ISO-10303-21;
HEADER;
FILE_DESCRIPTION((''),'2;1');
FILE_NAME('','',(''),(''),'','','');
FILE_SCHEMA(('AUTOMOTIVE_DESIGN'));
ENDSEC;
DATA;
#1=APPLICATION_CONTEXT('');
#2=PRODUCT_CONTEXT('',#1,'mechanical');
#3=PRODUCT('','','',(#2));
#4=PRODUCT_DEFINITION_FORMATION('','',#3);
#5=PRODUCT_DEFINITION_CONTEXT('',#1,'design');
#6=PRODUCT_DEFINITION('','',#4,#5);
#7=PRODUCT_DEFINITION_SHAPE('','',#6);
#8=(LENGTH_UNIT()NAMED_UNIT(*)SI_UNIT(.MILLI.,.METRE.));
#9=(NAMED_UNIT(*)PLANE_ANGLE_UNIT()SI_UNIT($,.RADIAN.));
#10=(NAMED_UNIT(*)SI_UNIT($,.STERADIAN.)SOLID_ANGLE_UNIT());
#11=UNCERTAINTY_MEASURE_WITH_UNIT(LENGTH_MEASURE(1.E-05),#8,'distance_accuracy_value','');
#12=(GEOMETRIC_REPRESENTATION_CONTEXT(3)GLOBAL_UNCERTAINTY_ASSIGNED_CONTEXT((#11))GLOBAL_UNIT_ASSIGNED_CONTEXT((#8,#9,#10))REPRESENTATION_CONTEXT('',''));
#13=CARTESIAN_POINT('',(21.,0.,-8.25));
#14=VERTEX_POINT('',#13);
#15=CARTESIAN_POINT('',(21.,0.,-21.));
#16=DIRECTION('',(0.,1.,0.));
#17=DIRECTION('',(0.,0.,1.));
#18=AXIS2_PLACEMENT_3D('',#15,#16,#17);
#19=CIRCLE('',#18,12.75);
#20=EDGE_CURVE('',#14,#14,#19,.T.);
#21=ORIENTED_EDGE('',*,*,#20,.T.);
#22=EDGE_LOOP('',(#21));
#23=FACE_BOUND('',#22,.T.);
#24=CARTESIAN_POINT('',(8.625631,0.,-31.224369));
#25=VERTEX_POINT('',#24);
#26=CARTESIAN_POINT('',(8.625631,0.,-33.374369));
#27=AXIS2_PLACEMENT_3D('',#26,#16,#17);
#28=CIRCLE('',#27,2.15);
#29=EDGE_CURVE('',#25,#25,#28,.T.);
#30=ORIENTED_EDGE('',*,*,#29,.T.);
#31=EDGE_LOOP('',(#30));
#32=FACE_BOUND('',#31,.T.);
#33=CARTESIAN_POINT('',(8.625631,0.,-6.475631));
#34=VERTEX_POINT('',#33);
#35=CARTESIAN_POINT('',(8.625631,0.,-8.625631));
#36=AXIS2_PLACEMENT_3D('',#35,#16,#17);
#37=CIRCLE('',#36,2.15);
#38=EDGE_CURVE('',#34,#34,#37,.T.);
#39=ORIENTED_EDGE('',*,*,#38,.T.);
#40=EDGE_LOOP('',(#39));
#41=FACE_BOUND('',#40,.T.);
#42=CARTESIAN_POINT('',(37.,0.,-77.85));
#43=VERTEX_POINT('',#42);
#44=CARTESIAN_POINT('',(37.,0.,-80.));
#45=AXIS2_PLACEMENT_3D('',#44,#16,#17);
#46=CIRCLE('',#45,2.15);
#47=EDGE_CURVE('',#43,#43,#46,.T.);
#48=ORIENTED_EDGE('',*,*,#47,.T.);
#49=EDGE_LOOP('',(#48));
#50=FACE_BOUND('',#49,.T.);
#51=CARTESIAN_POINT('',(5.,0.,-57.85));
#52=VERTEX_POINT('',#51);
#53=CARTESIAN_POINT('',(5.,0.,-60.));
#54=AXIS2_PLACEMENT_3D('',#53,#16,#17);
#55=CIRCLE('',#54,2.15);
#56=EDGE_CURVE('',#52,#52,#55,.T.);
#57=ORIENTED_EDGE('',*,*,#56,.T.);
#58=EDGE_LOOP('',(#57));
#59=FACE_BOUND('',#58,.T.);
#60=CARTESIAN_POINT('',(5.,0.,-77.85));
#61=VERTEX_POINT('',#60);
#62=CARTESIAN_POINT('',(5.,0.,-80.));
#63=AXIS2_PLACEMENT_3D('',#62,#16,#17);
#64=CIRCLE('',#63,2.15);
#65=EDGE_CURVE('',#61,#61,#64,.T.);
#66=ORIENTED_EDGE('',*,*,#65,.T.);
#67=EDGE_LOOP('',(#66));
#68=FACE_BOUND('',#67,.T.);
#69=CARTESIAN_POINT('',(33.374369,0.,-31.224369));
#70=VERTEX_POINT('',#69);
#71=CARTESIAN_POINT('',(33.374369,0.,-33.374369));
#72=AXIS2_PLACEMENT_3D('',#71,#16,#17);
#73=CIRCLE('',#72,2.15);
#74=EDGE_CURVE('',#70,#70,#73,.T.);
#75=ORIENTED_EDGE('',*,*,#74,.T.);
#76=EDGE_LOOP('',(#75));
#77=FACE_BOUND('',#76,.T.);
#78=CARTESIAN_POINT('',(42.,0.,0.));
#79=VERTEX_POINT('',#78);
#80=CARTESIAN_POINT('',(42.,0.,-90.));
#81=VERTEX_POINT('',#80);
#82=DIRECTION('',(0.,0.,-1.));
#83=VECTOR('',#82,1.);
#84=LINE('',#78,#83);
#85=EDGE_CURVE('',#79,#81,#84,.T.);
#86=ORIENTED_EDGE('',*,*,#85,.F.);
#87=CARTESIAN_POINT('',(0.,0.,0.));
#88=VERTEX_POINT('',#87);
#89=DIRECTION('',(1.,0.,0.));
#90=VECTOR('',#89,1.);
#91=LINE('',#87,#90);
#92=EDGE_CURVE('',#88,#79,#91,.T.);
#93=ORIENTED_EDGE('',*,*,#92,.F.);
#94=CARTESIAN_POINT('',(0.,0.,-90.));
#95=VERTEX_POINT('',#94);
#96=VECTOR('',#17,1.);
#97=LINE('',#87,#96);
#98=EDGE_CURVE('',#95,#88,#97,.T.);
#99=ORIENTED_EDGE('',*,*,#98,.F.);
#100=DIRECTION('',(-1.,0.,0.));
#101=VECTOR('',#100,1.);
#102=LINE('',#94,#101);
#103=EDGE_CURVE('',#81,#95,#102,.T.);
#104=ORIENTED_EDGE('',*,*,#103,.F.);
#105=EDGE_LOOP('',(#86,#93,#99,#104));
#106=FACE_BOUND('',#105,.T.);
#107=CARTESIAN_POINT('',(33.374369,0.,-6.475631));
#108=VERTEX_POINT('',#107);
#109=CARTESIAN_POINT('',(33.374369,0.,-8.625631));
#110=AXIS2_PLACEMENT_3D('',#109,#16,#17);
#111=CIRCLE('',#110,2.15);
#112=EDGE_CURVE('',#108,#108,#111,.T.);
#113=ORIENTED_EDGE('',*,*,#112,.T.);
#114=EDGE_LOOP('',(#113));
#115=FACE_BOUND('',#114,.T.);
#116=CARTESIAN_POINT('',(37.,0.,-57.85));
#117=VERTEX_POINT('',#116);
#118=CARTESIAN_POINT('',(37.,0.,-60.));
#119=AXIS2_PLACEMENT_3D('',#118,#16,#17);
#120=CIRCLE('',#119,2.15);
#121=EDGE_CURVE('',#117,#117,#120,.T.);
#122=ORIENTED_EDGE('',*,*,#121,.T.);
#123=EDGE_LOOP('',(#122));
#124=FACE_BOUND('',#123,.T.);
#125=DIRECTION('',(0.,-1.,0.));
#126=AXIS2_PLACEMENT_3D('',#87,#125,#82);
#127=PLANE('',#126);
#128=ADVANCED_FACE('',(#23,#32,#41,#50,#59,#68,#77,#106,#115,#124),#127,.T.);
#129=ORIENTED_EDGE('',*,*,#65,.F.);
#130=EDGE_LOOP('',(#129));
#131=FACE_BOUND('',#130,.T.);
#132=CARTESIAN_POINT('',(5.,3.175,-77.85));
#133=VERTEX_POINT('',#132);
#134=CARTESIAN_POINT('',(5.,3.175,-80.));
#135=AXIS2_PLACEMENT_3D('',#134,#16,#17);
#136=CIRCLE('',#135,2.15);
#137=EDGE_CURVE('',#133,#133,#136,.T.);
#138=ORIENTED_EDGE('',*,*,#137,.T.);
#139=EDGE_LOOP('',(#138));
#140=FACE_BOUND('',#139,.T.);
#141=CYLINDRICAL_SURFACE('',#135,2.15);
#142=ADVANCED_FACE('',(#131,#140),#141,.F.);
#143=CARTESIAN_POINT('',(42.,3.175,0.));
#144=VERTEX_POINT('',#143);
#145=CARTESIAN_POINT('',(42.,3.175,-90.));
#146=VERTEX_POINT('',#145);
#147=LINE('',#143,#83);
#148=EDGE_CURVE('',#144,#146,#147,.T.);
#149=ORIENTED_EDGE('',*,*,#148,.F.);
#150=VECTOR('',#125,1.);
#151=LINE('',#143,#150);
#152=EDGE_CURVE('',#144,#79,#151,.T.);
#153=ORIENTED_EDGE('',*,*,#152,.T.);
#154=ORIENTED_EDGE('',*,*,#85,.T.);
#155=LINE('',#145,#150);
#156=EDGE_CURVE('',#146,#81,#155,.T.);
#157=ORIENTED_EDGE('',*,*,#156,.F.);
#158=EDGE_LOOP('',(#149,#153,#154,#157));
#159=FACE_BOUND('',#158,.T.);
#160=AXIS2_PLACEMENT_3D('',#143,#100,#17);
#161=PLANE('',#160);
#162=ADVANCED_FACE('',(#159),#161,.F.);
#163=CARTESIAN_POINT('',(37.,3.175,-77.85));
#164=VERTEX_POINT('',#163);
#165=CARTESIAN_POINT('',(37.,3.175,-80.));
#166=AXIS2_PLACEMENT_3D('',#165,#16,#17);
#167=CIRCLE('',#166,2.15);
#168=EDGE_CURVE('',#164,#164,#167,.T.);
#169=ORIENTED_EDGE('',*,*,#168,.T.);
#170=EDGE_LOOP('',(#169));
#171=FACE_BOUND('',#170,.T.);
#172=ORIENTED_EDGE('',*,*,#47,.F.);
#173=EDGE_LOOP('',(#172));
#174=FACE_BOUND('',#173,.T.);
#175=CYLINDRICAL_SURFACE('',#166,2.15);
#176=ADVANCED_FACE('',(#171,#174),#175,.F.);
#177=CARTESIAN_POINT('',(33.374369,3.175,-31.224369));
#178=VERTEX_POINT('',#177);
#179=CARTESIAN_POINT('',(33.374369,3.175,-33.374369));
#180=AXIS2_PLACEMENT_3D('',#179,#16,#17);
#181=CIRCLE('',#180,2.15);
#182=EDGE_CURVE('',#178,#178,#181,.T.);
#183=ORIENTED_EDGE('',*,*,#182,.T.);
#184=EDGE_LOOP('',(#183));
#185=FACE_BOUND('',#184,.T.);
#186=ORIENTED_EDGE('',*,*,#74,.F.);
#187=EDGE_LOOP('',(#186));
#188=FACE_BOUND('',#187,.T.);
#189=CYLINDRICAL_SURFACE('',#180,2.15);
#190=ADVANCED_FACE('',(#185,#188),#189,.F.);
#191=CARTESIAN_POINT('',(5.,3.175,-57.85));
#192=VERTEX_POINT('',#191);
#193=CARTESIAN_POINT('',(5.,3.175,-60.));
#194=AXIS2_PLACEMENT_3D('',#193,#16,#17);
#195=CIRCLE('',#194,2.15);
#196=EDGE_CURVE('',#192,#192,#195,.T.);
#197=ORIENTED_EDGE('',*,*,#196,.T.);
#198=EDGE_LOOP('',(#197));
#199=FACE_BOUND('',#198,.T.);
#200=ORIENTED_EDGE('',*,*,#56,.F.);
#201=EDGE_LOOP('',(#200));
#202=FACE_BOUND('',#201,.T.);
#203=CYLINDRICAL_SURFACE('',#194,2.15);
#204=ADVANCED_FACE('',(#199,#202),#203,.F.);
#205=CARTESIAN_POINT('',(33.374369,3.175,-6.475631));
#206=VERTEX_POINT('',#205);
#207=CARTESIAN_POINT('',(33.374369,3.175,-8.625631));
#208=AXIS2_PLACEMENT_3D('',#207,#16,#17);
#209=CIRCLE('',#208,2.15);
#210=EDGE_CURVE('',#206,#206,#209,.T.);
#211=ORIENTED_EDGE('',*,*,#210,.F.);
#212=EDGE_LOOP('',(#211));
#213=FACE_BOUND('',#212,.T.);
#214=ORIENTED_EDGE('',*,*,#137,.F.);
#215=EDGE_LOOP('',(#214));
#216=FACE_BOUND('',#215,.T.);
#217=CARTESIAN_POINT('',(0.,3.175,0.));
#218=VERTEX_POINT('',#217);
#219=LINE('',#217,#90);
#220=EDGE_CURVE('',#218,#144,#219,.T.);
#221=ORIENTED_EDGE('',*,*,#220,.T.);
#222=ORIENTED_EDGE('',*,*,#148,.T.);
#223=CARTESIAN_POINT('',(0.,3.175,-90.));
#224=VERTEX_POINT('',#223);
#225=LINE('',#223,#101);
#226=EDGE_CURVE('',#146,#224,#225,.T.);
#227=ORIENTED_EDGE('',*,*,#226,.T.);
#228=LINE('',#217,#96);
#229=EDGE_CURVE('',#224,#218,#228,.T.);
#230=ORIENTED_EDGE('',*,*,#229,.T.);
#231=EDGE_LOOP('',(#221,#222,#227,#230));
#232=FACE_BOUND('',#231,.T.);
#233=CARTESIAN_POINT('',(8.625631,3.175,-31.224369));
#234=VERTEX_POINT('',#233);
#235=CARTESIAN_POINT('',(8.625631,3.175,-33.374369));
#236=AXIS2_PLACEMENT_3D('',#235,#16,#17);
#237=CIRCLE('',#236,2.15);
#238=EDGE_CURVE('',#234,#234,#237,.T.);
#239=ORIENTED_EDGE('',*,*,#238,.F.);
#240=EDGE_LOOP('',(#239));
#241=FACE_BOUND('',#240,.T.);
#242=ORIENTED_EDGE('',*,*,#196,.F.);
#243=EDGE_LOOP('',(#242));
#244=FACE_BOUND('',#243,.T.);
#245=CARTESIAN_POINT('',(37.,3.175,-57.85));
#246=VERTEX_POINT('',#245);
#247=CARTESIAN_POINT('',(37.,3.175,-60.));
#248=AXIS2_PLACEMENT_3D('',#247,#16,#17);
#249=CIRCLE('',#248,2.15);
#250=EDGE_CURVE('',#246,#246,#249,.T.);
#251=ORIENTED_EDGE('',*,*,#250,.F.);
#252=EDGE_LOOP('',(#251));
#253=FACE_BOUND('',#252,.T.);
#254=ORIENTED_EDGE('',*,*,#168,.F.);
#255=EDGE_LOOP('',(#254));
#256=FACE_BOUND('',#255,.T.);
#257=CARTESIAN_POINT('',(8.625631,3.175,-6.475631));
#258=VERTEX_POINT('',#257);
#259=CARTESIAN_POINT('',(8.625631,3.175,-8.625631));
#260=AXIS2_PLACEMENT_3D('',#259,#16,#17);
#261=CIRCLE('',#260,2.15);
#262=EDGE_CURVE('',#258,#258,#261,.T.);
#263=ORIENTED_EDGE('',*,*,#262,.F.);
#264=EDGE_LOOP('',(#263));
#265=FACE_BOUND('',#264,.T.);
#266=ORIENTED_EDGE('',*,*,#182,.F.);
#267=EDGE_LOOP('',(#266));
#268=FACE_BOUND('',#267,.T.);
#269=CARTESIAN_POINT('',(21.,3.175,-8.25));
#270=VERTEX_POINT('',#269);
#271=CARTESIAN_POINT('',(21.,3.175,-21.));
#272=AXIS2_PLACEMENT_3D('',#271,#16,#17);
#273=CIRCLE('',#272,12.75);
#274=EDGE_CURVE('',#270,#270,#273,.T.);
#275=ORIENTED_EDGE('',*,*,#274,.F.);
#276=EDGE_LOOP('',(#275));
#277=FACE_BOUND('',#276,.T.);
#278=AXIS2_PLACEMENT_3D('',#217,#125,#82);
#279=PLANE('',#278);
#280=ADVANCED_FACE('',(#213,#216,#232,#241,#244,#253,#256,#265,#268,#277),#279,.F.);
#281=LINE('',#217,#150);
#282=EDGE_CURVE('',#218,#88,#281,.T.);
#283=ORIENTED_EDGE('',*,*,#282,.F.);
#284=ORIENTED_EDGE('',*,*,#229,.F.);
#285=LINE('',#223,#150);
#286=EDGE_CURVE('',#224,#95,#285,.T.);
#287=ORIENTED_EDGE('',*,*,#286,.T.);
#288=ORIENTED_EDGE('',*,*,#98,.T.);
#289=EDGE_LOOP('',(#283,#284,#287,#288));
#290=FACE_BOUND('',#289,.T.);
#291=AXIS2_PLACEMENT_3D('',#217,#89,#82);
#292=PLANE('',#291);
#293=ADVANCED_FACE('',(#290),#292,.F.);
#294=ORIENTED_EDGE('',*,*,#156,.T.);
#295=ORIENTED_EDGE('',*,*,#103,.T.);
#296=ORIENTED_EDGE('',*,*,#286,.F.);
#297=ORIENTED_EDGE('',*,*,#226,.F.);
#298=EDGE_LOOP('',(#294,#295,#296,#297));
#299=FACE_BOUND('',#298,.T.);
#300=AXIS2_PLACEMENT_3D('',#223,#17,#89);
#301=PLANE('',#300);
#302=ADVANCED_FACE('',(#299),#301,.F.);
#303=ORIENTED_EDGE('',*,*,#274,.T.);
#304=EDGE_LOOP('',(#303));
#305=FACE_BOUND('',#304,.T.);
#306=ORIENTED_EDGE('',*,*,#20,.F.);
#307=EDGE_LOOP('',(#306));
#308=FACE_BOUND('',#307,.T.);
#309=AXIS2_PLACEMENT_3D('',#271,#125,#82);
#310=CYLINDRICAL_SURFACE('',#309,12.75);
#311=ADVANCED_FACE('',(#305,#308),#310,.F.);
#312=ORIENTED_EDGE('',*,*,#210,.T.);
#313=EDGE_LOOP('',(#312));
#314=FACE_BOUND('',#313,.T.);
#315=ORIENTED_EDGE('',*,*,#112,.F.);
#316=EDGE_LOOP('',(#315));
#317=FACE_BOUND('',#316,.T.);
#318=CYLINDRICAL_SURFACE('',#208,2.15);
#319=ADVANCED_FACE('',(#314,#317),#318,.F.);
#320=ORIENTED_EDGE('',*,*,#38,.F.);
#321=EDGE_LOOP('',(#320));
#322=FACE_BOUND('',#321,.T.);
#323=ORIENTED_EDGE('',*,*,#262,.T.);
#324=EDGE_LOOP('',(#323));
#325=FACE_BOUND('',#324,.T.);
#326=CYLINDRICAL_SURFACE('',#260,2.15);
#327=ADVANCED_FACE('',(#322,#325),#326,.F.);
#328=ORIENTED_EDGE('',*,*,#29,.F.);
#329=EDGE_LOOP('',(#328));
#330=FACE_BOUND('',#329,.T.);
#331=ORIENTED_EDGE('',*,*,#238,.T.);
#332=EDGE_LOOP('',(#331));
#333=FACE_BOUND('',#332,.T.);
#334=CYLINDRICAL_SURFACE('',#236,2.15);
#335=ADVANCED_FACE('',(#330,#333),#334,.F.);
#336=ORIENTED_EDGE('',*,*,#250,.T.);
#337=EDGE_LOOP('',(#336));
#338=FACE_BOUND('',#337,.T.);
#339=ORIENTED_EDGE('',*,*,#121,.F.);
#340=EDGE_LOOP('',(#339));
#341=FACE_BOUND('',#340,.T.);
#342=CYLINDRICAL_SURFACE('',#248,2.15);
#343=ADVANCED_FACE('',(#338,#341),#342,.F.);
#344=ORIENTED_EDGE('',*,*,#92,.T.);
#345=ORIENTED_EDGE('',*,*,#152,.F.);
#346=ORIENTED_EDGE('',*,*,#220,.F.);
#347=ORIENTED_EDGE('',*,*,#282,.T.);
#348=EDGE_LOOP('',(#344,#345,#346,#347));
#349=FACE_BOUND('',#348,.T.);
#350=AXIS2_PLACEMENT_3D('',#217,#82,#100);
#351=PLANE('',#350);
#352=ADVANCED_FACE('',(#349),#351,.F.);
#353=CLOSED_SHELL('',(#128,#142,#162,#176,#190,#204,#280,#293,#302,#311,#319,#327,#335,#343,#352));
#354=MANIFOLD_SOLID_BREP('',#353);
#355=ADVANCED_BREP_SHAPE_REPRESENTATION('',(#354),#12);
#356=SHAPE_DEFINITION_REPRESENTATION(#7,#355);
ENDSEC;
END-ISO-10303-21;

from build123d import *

# Parameters (mm, degrees)
SKETCH1_W            = 42
SKETCH1_H            = 90
SKETCH1_R            = 12.75
BOSS_EXTRUDE1_DEPTH  = 3.175
M4_CLEARANCE_HOLE1_D = 4.3


with BuildPart() as part:
    # Sketch1 → Boss-Extrude1 (new body)
    with BuildSketch(Plane(origin=(0, 0, 0), x_dir=(1, 0, 0), z_dir=(0, 1, 0))):
        with Locations((21, 45)):
            Rectangle(SKETCH1_W, SKETCH1_H)
        with Locations((21, 21)):
            Circle(SKETCH1_R, mode=Mode.SUBTRACT)
    extrude(amount=BOSS_EXTRUDE1_DEPTH)

    # M4 Clearance Hole1 (through all)
    with Locations(Plane(origin=(0, 3.175, 0), x_dir=(1, 0, 0), z_dir=(0, 1, 0))):
        with Locations((8.625631329, 33.374368671), (21, 21), (5, 80), (33.374368671, 33.374368671), (33.374368671, 8.625631329), (8.625631329, 8.625631329), (37, 80), (37, 60), (5, 60)):
            Hole(M4_CLEARANCE_HOLE1_D / 2)


solid = part.part
